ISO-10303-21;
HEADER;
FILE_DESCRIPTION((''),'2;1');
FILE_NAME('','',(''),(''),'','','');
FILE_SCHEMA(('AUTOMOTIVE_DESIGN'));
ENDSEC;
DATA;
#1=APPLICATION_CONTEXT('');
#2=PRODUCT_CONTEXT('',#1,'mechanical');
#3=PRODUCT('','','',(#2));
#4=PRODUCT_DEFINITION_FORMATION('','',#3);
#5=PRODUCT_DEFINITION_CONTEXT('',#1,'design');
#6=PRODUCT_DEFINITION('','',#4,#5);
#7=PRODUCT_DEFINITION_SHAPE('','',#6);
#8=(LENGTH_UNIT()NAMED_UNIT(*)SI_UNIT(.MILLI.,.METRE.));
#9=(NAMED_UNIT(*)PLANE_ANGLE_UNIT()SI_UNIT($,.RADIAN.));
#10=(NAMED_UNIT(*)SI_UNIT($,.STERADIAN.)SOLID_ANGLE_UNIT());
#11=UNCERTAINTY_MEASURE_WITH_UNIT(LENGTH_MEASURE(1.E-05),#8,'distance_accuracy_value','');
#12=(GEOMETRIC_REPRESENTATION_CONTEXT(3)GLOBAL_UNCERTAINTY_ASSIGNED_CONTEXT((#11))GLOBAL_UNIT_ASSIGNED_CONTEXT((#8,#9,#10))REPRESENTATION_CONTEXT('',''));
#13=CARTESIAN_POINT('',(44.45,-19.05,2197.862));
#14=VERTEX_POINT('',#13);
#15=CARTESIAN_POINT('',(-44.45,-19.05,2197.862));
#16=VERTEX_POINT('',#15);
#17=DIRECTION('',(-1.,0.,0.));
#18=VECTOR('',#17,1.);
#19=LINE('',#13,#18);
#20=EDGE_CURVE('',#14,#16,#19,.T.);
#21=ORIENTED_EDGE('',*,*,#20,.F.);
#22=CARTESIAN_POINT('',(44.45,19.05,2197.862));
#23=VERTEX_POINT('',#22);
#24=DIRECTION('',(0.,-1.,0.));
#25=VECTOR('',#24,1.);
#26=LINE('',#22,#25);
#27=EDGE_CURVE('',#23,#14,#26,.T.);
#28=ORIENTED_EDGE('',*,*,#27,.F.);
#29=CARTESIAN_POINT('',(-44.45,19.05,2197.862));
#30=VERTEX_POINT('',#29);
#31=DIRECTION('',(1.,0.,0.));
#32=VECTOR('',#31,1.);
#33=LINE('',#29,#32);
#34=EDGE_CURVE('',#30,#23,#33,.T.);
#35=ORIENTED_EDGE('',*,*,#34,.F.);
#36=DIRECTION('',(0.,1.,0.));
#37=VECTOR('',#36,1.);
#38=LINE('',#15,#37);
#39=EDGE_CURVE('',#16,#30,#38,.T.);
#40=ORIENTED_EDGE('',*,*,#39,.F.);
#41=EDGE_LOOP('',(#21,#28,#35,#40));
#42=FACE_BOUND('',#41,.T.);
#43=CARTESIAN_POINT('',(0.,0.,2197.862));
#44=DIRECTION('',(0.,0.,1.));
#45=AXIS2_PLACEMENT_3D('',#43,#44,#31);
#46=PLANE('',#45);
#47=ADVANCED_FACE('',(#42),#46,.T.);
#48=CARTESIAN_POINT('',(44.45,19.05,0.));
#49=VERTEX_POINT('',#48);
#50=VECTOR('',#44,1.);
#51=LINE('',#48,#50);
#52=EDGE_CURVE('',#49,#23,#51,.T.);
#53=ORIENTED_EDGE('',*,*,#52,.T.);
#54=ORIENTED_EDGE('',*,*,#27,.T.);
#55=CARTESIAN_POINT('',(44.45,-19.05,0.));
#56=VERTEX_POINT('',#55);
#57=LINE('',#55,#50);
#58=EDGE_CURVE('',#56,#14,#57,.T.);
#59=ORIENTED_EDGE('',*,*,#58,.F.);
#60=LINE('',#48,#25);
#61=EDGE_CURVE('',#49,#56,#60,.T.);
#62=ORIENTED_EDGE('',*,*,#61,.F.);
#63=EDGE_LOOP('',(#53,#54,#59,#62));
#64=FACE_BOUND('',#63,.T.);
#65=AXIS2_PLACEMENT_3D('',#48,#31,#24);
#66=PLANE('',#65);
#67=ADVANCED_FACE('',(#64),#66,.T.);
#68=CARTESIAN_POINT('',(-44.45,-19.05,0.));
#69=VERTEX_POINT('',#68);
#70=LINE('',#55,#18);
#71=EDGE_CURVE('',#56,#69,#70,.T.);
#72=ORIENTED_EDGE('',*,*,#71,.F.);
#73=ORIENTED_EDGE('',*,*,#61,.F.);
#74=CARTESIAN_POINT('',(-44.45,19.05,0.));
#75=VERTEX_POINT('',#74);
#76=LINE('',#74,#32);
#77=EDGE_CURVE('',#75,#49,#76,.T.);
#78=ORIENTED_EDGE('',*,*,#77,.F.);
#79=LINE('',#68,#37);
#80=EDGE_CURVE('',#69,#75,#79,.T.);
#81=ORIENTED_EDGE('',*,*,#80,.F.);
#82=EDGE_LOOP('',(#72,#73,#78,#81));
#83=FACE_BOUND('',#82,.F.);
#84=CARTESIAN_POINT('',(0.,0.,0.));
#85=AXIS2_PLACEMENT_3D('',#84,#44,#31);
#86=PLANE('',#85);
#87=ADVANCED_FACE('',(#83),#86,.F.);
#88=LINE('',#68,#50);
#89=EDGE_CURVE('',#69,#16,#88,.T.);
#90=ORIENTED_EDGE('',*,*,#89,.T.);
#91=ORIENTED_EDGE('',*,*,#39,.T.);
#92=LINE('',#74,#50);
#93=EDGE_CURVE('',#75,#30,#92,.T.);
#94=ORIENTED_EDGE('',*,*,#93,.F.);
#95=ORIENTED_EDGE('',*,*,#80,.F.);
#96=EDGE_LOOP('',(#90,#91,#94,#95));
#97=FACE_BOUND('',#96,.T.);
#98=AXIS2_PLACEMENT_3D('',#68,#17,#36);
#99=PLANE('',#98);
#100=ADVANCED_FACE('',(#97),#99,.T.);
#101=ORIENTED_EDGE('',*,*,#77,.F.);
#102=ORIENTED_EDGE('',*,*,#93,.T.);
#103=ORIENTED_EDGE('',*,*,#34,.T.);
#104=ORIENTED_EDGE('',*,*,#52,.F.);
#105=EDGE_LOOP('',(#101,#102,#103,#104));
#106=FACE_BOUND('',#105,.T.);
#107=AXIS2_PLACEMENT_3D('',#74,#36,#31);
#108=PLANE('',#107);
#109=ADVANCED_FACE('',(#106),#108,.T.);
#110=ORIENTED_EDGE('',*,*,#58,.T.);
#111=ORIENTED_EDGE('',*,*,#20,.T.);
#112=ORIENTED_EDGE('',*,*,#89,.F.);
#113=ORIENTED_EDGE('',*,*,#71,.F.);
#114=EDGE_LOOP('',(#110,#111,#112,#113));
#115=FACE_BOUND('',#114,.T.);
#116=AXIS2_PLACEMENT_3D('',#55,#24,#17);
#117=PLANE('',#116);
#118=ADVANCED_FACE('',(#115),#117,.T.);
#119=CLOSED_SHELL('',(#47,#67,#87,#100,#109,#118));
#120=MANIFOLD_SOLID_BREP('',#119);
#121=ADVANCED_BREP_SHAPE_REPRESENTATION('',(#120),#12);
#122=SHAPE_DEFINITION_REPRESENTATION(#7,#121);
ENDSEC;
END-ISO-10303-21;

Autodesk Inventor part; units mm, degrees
ref_plane "YZ Plane" through (0, 0, 0) normal (1, 0, 0) x (0, 1, 0)
ref_plane "XZ Plane" through (0, 0, 0) normal (0, 1, 0) x (-1, 0, 0)
ref_plane "XY Plane" through (0, 0, 0) normal (0, 0, 1) x (1, 0, 0)
sketch "Sketch1" plane through (0, 0, 0) normal (0, 0, 1) x (1, 0, 0)
  line L0 (44.45, -19.05) -> (-44.45, -19.05)
  line L1 (-44.45, -19.05) -> (-44.45, 19.05)
  line L2 (-44.45, 19.05) -> (44.45, 19.05)
  line L3 (44.45, 19.05) -> (44.45, -19.05)
  line L4 (44.45, -19.05) -> (-44.45, 19.05) construction
  line L5 (-44.45, -19.05) -> (44.45, 19.05) construction
  point P0 (0, 0)
  dimension "d0" = 88.9
  dimension "d1" = 38.1
extrude "Extrusion1" add sketch "Sketch1" along normal blind 2197.862
properties part number "s46x2x4"
